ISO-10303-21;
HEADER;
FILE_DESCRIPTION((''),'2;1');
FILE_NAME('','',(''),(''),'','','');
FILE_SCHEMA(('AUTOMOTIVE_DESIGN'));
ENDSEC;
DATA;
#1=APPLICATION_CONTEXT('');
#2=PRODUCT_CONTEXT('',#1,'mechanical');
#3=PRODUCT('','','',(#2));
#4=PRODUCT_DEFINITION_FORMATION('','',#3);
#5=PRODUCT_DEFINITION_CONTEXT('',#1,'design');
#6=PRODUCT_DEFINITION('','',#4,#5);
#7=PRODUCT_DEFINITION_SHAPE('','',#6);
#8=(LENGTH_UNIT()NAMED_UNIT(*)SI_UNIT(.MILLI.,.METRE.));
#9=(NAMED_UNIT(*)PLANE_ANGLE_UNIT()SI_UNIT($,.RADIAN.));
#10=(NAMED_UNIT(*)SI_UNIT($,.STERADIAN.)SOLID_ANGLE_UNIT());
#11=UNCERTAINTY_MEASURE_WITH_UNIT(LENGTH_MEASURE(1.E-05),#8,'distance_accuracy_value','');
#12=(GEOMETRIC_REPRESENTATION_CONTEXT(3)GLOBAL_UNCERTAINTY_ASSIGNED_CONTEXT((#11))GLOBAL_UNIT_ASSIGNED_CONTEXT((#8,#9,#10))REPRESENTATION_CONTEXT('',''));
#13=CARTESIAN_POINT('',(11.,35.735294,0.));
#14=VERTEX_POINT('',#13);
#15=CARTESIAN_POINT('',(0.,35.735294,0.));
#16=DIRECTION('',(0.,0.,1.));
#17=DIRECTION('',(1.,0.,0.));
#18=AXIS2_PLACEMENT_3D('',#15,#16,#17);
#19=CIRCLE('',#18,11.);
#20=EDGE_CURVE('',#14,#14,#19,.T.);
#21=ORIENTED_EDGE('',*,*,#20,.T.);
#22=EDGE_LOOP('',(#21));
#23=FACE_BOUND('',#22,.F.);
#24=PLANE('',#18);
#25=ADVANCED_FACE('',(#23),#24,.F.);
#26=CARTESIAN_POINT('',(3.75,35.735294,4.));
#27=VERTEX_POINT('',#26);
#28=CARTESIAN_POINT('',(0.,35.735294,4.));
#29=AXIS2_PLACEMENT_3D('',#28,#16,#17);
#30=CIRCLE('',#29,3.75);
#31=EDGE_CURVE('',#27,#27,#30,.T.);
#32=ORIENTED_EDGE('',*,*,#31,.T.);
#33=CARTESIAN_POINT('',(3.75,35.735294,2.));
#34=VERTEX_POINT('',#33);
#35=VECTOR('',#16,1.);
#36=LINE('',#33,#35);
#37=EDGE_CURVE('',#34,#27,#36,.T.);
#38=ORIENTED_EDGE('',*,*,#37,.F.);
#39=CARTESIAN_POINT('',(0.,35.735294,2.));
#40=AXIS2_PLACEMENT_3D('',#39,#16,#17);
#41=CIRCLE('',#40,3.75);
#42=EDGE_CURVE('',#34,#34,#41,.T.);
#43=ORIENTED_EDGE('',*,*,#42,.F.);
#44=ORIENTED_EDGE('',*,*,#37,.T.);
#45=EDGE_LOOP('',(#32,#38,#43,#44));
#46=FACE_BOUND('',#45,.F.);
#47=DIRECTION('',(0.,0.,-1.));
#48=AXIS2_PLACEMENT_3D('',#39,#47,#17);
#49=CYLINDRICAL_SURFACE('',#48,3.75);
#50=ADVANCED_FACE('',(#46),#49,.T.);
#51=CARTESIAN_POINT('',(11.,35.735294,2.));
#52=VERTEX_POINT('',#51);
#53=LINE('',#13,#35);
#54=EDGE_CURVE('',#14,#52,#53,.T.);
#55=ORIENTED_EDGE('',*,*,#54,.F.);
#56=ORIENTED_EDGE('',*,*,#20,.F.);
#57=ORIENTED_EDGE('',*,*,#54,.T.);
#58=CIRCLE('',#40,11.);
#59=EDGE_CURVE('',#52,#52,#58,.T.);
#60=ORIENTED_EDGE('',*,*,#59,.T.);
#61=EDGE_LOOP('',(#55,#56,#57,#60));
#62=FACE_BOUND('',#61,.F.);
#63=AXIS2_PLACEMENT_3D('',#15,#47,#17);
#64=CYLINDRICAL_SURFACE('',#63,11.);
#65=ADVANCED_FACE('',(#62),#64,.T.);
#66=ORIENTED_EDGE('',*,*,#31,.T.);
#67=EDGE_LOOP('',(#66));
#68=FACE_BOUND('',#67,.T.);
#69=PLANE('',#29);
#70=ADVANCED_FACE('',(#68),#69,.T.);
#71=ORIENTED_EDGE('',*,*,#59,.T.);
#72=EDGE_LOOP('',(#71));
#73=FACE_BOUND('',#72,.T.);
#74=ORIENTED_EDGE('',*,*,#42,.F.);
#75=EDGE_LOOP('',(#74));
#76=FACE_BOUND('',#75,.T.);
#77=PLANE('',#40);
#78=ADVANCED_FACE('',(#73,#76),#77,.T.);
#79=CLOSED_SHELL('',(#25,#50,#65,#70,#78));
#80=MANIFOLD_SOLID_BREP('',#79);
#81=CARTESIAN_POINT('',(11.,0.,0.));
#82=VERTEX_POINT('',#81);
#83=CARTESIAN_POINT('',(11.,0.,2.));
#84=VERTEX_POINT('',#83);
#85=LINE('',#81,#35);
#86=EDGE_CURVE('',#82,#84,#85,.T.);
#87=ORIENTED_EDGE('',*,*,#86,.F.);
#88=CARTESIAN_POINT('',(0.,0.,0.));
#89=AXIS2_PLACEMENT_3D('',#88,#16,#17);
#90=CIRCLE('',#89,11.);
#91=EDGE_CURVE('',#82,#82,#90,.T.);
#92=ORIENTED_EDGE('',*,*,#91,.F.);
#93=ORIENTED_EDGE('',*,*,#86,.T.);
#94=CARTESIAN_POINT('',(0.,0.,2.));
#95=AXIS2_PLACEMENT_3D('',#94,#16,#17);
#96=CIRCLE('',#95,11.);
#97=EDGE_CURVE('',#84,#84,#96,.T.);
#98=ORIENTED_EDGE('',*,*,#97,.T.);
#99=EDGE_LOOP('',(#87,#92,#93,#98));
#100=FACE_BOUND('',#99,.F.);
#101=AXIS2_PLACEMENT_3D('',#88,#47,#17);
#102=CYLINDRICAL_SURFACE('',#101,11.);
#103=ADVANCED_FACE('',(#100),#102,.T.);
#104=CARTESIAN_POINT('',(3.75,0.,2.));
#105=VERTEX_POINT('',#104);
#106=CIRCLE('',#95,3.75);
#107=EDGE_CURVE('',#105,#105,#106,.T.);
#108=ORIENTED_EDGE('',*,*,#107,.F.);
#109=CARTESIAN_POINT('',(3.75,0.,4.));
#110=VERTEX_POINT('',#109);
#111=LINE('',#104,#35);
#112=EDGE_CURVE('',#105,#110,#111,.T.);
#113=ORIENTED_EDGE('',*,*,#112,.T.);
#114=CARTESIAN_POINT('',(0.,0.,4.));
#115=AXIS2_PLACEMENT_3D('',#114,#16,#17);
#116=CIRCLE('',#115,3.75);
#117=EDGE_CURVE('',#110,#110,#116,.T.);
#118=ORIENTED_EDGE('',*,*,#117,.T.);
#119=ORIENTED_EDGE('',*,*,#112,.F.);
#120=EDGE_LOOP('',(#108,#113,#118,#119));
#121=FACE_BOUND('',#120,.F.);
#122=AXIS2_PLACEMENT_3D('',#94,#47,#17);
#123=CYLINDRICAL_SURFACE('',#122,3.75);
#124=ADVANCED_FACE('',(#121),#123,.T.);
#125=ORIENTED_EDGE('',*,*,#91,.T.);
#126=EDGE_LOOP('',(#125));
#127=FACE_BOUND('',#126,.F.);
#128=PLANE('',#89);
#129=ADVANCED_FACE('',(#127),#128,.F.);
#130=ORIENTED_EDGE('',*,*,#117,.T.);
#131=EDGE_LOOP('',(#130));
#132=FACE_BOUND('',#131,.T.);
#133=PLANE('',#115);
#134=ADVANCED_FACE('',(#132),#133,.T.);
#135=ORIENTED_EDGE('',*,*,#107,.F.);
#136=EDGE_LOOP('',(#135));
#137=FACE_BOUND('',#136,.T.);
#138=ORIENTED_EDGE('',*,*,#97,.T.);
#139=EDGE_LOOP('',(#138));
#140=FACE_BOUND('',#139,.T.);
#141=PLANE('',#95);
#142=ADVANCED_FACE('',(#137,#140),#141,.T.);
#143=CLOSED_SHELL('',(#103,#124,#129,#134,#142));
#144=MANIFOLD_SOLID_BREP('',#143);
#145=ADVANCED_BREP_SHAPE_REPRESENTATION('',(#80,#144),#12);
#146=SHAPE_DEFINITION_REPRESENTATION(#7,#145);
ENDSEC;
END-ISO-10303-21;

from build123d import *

# Parameters (mm, degrees)
F0_R     = 11
F1_DEPTH = 2
F2_R     = 3.75
F3_DEPTH = 2


with BuildPart() as f1:
    # F0 (on Top) → F1 (new body)
    with BuildSketch(Plane.XY):
        Circle(F0_R)
        with Locations((0, 35.735294)):
            Circle(F0_R)
    extrude(amount=F1_DEPTH)

    # F2 (on face) → F3 (join)
    with BuildSketch(Plane.XY.offset(2)):
        Circle(F2_R)
        with Locations((0, 35.735294)):
            Circle(F2_R)
    extrude(amount=F3_DEPTH)


solid = f1.part
